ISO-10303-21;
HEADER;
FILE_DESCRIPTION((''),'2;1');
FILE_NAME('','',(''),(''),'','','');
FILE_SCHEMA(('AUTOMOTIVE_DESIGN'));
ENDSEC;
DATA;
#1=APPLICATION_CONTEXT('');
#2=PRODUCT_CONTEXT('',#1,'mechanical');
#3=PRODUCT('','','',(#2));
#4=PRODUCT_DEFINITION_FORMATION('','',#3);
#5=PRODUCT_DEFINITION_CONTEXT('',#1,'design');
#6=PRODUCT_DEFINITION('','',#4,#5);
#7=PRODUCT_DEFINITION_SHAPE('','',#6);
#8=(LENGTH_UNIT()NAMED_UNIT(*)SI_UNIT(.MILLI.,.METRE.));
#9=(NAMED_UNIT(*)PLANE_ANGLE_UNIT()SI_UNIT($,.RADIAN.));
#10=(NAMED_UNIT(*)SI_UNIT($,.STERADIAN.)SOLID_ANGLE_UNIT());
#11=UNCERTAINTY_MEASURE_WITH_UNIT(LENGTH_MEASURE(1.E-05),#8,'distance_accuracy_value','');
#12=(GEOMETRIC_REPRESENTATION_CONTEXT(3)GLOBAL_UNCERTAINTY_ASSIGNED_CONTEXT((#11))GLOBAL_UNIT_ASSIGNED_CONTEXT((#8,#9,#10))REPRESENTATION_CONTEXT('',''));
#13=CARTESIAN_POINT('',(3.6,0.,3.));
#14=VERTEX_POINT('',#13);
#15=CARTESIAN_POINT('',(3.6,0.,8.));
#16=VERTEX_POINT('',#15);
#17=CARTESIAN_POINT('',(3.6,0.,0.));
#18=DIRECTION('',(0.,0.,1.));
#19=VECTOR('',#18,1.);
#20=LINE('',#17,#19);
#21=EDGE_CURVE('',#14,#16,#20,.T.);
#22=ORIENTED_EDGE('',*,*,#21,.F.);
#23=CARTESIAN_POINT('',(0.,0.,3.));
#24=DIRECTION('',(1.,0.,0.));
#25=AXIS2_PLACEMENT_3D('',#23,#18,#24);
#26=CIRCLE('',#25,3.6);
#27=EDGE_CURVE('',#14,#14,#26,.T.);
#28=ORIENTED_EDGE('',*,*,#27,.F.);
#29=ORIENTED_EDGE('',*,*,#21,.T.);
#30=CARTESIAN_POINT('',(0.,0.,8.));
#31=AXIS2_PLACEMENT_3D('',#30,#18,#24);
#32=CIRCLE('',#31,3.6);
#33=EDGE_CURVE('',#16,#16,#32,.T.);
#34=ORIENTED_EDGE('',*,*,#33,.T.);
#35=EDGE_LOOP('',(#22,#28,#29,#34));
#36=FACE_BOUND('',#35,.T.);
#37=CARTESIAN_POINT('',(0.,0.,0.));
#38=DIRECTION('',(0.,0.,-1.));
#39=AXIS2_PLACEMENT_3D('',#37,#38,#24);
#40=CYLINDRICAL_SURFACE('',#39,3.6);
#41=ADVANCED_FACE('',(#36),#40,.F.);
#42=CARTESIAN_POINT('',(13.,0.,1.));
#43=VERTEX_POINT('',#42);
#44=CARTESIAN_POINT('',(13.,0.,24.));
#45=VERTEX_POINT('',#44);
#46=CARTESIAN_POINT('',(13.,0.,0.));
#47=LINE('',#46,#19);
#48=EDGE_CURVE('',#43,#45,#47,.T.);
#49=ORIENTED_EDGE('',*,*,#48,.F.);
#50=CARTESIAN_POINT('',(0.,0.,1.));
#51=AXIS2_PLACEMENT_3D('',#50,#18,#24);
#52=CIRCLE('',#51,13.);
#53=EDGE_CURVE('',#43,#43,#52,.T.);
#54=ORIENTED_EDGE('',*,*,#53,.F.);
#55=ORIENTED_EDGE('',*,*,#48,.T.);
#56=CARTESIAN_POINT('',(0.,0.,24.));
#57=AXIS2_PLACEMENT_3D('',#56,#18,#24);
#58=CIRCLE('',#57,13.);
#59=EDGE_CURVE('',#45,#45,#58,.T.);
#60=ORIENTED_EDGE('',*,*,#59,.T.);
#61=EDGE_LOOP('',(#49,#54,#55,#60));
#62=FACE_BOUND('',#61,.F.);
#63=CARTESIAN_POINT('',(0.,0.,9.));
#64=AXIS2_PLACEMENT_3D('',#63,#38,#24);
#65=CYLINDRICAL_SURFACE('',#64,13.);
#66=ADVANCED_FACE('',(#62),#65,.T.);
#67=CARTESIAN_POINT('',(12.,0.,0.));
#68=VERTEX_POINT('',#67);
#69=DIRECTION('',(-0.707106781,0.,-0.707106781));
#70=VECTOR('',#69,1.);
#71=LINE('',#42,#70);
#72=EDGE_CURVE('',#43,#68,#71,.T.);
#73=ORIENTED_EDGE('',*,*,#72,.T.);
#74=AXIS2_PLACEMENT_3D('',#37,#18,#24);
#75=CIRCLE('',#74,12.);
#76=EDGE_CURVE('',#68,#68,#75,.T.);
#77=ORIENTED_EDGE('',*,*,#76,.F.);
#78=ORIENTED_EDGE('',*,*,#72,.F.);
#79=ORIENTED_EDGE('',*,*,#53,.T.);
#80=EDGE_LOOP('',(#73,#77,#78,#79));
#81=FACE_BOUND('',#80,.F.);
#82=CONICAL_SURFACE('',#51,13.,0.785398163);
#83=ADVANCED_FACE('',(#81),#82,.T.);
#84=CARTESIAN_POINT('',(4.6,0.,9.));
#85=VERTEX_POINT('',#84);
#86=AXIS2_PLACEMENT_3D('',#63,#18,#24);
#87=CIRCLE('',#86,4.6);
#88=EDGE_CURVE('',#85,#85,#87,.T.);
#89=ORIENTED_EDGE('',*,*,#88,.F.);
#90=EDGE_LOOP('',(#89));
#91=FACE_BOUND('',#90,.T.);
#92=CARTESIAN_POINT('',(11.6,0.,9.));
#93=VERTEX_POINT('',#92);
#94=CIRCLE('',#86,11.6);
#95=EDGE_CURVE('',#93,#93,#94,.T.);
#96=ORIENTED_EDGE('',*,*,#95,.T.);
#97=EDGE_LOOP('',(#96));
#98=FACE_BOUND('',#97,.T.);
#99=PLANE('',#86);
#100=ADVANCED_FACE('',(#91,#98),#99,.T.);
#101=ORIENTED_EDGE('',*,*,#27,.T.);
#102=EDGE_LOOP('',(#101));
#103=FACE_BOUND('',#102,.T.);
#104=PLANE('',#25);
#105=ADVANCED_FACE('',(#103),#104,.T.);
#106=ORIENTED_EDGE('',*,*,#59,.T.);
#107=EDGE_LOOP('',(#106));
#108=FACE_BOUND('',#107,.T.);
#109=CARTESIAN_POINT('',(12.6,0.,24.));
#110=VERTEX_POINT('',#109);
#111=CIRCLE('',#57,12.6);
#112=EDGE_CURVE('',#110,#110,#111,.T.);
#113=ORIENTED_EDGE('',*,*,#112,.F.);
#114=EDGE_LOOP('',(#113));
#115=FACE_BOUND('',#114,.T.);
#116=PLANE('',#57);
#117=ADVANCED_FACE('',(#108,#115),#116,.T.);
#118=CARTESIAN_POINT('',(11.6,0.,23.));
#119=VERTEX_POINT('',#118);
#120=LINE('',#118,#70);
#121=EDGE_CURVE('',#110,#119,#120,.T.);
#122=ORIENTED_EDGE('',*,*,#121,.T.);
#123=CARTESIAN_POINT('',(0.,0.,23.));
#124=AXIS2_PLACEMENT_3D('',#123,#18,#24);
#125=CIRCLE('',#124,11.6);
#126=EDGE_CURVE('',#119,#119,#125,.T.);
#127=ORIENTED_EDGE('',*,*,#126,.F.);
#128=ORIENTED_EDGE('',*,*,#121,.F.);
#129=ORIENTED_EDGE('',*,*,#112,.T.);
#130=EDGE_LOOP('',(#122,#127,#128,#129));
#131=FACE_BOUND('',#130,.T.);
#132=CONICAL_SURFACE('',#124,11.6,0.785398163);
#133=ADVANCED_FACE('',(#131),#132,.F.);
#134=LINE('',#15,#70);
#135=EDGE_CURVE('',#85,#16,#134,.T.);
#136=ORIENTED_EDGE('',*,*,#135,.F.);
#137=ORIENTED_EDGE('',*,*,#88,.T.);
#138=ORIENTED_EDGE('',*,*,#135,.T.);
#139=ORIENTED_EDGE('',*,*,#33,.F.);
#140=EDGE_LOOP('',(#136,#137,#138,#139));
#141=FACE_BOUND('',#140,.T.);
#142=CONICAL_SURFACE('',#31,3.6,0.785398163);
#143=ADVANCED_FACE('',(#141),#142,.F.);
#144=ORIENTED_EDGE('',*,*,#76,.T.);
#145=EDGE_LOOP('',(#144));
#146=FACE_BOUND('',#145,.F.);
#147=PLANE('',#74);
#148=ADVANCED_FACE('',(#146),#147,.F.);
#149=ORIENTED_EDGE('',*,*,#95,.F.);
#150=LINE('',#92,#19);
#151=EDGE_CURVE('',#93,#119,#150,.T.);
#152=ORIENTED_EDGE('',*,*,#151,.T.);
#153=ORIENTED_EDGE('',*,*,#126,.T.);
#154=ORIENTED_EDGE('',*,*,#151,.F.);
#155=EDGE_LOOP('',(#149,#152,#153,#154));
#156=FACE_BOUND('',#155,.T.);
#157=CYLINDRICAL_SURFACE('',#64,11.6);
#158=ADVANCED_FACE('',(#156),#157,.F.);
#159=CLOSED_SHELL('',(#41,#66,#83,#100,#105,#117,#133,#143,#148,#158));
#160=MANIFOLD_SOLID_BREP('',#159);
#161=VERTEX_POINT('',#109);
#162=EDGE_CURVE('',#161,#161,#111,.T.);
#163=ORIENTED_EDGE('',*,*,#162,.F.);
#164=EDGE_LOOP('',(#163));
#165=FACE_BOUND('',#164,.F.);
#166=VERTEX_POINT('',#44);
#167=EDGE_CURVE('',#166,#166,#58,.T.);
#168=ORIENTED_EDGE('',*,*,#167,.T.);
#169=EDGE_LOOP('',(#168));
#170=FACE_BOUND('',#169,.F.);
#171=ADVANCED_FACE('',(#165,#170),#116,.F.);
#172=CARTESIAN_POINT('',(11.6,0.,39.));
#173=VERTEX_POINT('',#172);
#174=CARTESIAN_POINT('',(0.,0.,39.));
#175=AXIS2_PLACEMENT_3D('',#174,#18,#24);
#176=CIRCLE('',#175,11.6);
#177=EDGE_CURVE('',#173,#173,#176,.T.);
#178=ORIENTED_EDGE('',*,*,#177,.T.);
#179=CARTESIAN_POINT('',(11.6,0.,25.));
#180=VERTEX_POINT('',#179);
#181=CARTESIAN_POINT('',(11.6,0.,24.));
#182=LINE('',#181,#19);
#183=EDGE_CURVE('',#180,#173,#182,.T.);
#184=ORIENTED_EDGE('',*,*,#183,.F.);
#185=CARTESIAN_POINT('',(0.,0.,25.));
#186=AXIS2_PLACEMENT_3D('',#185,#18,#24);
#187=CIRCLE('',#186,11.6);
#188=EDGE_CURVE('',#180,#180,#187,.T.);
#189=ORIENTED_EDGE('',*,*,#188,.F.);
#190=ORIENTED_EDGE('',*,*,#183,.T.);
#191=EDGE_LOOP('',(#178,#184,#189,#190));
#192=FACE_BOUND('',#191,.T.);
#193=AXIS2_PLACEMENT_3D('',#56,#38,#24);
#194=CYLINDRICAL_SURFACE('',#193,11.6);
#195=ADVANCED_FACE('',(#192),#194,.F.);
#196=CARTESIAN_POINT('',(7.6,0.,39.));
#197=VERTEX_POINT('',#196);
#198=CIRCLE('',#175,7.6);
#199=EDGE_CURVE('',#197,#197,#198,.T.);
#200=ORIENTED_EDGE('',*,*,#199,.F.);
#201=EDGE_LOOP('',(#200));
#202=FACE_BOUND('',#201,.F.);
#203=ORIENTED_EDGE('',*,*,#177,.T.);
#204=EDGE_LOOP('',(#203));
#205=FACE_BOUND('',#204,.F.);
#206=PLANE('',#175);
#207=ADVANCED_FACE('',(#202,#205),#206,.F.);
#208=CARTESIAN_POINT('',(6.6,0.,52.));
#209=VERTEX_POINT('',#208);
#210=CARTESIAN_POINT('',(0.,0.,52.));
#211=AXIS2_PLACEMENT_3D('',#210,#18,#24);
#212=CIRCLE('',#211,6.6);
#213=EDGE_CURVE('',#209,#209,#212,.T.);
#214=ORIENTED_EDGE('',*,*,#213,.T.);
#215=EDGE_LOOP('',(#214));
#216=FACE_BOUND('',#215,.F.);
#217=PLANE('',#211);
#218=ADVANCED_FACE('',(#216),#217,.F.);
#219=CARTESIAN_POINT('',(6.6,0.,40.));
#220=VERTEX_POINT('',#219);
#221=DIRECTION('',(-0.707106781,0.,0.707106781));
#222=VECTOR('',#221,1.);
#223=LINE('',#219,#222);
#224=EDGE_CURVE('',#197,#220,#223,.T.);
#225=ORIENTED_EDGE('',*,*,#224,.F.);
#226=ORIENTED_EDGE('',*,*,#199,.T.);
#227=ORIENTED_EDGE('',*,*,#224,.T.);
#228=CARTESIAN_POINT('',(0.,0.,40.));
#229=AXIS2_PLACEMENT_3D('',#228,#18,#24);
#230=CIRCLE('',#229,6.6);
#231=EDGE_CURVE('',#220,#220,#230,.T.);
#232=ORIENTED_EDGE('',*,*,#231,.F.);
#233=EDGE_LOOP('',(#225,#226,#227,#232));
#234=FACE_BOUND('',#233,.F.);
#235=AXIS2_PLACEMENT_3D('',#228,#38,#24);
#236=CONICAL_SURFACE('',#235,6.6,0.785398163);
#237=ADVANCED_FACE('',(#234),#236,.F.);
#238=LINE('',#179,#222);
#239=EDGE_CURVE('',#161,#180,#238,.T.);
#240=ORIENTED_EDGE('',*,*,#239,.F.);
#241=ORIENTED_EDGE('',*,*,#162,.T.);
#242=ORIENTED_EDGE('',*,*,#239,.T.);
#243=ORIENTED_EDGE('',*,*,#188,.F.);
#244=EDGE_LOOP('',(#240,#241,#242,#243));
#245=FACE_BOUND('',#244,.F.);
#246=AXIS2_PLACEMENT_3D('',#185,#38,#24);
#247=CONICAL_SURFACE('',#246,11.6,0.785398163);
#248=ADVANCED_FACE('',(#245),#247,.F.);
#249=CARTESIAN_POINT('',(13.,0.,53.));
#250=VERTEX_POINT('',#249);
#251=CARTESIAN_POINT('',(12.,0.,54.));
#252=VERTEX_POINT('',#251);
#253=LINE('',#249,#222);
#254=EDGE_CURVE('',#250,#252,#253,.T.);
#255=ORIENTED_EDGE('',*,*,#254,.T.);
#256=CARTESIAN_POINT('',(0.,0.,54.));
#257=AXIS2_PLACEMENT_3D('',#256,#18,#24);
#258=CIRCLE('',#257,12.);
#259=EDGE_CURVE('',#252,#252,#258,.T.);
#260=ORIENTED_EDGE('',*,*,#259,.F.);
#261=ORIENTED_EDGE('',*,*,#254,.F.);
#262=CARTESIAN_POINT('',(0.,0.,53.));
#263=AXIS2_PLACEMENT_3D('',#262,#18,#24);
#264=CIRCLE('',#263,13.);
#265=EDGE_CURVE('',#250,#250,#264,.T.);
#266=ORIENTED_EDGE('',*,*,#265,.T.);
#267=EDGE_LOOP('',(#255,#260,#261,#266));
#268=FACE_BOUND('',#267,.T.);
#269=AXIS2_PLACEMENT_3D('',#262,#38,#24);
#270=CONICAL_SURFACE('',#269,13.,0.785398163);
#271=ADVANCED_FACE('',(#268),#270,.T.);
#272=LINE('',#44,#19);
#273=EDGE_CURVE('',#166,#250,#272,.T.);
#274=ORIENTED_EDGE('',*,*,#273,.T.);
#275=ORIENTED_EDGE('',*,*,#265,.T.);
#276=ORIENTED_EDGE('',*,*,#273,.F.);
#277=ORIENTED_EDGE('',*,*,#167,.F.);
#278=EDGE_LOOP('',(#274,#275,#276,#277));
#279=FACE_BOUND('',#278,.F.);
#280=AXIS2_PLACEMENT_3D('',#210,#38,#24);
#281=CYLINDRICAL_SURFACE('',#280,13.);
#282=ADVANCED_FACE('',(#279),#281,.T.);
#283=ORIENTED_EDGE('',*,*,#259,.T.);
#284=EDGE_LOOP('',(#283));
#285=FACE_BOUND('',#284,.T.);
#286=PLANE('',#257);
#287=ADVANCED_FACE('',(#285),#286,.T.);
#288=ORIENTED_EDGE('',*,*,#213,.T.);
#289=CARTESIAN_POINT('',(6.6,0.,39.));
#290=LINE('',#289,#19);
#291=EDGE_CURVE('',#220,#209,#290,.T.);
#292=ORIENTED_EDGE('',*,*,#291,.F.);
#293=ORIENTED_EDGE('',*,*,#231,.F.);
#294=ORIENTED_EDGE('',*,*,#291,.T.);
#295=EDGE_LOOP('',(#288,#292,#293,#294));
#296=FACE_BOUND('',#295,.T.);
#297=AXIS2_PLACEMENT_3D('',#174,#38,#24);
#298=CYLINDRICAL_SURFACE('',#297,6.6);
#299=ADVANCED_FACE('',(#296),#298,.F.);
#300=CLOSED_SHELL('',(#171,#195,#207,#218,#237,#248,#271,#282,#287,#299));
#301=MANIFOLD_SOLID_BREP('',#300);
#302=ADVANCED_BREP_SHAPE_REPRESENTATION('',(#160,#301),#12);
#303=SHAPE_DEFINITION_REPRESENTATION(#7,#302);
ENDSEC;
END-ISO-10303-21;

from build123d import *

# Parameters (mm, degrees)
F0_R      = 3.6
F1_DEPTH  = 3
F0_R_2    = 13
F2_DEPTH  = 9
F3_R      = 13
F3_R_2    = 11.6
F4_DEPTH  = 15
F5_R      = 13
F5_R_2    = 11.6
F6_DEPTH  = 15
F7_R      = 13
F7_R_2    = 11.6
F7_R_3    = 6.6
F8_DEPTH  = 13
F9_R      = 13
F9_R_2    = 6.6
F10_DEPTH = 2
F11_SIZE  = 1
F12_SIZE  = 1


with BuildPart() as f1:
    # F0 (on Top) → F1 (new body)
    with BuildSketch(Plane.XY):
        Circle(F0_R)
    extrude(amount=F1_DEPTH)

    # F0 (on Top) → F2 (join)
    with BuildSketch(Plane.XY):
        Circle(F0_R_2)
        Circle(F0_R, mode=Mode.SUBTRACT)
    extrude(amount=F2_DEPTH)

    # F3 (on face) → F4 (join)
    with BuildSketch(Plane.XY.offset(9)):
        Circle(F3_R)
        Circle(F3_R_2, mode=Mode.SUBTRACT)
    extrude(amount=F4_DEPTH)

    # F11
    f11_edges = [f1.edges().sort_by_distance(p)[0] for p in [
        (-11.6, 0, 24),
        (-3.6, 0, 9),
        (-13, 0, 0),
    ]]
    chamfer(f11_edges, length=F11_SIZE)


with BuildPart() as f6:
    # F5 (on face) → F6 (new body)
    with BuildSketch(Plane.XY.offset(24)):
        Circle(F5_R)
        Circle(F5_R_2, mode=Mode.SUBTRACT)
    extrude(amount=F6_DEPTH)

    # F7 (on face) → F8 (join)
    with BuildSketch(Plane.XY.offset(39)):
        Circle(F7_R)
        Circle(F7_R_2, mode=Mode.SUBTRACT)
        Circle(F7_R_2)
        Circle(F7_R_3, mode=Mode.SUBTRACT)
    extrude(amount=F8_DEPTH)

    # F9 (on face) → F10 (join)
    with BuildSketch(Plane.XY.offset(52)):
        Circle(F9_R)
        Circle(F9_R_2, mode=Mode.SUBTRACT)
        Circle(F9_R_2)
    extrude(amount=F10_DEPTH)

    # F12
    f12_edges = [f6.edges().sort_by_distance(p)[0] for p in [
        (-6.6, 0, 39),
        (-11.6, 0, 24),
        (-13, 0, 54),
    ]]
    chamfer(f12_edges, length=F12_SIZE)


solid = Compound([f1.part, f6.part])
